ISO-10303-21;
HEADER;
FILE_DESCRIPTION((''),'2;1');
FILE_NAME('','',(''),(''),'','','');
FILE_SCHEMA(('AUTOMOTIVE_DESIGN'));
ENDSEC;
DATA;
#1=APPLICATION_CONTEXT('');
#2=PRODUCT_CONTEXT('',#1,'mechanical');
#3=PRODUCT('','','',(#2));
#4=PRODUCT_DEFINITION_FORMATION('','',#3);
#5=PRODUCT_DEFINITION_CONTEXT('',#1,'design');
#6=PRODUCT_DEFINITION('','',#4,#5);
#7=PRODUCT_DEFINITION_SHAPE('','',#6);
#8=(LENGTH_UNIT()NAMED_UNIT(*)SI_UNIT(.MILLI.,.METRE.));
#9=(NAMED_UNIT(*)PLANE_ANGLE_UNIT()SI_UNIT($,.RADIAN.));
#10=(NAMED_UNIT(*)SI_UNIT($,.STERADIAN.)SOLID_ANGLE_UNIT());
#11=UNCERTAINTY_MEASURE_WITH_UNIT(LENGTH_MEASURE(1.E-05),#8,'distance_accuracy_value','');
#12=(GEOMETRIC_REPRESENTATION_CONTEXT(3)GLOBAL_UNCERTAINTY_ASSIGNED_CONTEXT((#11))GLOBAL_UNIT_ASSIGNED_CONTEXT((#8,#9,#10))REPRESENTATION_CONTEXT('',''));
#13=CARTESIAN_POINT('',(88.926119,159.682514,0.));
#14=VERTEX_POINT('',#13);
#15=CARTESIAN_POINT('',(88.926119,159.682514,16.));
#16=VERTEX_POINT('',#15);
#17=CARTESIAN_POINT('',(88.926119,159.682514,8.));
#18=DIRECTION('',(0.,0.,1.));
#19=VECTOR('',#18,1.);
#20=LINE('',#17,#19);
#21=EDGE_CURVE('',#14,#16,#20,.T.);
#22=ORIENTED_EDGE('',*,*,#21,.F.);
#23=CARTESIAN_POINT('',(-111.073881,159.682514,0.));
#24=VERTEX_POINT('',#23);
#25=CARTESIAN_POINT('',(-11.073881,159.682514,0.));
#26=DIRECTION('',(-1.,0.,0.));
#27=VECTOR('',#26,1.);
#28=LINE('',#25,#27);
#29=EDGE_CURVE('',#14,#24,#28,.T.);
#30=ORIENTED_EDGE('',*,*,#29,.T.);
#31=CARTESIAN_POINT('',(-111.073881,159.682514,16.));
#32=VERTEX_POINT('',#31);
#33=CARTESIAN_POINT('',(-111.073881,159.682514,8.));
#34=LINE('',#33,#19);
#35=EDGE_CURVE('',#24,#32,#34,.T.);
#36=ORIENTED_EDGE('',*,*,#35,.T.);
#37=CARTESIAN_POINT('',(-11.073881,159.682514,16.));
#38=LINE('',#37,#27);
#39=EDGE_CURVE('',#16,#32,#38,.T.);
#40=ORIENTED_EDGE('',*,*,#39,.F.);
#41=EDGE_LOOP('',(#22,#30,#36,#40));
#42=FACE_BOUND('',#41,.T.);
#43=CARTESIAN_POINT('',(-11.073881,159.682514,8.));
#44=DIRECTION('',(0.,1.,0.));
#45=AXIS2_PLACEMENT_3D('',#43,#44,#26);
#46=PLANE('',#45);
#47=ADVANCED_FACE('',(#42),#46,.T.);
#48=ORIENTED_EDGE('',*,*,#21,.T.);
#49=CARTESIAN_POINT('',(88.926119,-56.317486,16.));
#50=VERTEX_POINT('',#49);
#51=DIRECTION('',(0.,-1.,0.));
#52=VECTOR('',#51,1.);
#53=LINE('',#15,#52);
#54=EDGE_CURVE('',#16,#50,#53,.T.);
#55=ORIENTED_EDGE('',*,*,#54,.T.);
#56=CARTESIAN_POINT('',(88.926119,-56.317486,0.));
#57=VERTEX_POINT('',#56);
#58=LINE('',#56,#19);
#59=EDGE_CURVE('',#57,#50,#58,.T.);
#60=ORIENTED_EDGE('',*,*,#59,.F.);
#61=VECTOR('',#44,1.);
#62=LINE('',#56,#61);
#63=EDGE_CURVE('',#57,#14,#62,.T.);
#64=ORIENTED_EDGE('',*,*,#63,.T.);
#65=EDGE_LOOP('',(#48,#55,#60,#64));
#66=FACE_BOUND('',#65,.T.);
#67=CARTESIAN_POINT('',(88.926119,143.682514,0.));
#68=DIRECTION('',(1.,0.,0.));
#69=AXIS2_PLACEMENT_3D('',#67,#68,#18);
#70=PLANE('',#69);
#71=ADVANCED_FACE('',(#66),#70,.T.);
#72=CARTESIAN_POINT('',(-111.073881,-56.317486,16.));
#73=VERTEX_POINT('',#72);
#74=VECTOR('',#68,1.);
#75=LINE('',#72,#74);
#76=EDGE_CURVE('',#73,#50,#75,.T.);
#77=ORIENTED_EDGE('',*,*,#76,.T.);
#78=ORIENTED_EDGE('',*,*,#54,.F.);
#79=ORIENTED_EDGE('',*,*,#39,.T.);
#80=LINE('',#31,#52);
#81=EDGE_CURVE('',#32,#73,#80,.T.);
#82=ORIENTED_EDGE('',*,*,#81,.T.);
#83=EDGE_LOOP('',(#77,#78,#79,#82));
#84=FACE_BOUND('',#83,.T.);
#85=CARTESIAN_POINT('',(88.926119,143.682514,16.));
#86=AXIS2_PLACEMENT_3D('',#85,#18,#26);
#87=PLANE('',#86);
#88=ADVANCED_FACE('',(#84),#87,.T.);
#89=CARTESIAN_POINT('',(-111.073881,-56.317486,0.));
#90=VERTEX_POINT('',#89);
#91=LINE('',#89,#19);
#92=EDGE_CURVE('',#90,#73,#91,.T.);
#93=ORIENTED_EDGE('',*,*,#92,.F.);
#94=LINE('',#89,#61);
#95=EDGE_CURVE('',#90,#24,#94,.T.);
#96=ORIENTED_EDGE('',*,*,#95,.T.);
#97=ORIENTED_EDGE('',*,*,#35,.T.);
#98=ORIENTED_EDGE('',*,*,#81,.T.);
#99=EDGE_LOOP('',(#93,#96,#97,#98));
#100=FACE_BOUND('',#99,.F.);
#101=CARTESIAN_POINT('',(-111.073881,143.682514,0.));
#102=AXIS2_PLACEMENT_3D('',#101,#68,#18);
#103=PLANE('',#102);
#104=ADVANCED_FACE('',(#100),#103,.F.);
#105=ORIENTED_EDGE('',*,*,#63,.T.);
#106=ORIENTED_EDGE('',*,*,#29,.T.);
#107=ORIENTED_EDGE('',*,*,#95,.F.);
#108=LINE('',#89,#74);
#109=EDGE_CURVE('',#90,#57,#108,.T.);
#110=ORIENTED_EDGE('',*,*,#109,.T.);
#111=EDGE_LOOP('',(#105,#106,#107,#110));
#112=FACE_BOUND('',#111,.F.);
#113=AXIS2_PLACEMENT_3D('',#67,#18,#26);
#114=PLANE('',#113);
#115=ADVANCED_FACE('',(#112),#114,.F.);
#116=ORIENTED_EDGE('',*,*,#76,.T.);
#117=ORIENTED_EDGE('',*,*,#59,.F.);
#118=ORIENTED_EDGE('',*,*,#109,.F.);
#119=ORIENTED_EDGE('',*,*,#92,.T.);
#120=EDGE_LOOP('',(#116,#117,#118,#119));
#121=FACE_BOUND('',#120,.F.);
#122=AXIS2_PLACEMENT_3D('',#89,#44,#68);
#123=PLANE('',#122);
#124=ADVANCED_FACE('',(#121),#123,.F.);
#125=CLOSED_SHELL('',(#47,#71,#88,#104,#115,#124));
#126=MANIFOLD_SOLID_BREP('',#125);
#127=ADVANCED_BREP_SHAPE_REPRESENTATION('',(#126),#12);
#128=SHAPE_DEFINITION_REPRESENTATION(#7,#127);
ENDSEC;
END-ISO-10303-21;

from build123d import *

# Parameters (mm, degrees)
F1_DEPTH = 16
F2_W     = 200
F2_H     = 16
F3_DEPTH = 16


with BuildPart() as f1:
    # F0 (on Top) → F1 (new body)
    with BuildSketch(Plane.XY):
        Polygon((-111.073881, -56.317486), (-71.169235, -56.317486), (88.926119, -56.317486), (88.926119, 143.682514), (-111.073881, 143.682514), align=None)
    extrude(amount=F1_DEPTH)

    # F2 (on face) → F3 (join)
    with BuildSketch(Plane(origin=(0, 143.682514, 0), x_dir=(-1, 0, 0), z_dir=(0, 1, 0))):
        with Locations((11.073881, 8)):
            Rectangle(F2_W, F2_H)
    extrude(amount=F3_DEPTH)


solid = f1.part
